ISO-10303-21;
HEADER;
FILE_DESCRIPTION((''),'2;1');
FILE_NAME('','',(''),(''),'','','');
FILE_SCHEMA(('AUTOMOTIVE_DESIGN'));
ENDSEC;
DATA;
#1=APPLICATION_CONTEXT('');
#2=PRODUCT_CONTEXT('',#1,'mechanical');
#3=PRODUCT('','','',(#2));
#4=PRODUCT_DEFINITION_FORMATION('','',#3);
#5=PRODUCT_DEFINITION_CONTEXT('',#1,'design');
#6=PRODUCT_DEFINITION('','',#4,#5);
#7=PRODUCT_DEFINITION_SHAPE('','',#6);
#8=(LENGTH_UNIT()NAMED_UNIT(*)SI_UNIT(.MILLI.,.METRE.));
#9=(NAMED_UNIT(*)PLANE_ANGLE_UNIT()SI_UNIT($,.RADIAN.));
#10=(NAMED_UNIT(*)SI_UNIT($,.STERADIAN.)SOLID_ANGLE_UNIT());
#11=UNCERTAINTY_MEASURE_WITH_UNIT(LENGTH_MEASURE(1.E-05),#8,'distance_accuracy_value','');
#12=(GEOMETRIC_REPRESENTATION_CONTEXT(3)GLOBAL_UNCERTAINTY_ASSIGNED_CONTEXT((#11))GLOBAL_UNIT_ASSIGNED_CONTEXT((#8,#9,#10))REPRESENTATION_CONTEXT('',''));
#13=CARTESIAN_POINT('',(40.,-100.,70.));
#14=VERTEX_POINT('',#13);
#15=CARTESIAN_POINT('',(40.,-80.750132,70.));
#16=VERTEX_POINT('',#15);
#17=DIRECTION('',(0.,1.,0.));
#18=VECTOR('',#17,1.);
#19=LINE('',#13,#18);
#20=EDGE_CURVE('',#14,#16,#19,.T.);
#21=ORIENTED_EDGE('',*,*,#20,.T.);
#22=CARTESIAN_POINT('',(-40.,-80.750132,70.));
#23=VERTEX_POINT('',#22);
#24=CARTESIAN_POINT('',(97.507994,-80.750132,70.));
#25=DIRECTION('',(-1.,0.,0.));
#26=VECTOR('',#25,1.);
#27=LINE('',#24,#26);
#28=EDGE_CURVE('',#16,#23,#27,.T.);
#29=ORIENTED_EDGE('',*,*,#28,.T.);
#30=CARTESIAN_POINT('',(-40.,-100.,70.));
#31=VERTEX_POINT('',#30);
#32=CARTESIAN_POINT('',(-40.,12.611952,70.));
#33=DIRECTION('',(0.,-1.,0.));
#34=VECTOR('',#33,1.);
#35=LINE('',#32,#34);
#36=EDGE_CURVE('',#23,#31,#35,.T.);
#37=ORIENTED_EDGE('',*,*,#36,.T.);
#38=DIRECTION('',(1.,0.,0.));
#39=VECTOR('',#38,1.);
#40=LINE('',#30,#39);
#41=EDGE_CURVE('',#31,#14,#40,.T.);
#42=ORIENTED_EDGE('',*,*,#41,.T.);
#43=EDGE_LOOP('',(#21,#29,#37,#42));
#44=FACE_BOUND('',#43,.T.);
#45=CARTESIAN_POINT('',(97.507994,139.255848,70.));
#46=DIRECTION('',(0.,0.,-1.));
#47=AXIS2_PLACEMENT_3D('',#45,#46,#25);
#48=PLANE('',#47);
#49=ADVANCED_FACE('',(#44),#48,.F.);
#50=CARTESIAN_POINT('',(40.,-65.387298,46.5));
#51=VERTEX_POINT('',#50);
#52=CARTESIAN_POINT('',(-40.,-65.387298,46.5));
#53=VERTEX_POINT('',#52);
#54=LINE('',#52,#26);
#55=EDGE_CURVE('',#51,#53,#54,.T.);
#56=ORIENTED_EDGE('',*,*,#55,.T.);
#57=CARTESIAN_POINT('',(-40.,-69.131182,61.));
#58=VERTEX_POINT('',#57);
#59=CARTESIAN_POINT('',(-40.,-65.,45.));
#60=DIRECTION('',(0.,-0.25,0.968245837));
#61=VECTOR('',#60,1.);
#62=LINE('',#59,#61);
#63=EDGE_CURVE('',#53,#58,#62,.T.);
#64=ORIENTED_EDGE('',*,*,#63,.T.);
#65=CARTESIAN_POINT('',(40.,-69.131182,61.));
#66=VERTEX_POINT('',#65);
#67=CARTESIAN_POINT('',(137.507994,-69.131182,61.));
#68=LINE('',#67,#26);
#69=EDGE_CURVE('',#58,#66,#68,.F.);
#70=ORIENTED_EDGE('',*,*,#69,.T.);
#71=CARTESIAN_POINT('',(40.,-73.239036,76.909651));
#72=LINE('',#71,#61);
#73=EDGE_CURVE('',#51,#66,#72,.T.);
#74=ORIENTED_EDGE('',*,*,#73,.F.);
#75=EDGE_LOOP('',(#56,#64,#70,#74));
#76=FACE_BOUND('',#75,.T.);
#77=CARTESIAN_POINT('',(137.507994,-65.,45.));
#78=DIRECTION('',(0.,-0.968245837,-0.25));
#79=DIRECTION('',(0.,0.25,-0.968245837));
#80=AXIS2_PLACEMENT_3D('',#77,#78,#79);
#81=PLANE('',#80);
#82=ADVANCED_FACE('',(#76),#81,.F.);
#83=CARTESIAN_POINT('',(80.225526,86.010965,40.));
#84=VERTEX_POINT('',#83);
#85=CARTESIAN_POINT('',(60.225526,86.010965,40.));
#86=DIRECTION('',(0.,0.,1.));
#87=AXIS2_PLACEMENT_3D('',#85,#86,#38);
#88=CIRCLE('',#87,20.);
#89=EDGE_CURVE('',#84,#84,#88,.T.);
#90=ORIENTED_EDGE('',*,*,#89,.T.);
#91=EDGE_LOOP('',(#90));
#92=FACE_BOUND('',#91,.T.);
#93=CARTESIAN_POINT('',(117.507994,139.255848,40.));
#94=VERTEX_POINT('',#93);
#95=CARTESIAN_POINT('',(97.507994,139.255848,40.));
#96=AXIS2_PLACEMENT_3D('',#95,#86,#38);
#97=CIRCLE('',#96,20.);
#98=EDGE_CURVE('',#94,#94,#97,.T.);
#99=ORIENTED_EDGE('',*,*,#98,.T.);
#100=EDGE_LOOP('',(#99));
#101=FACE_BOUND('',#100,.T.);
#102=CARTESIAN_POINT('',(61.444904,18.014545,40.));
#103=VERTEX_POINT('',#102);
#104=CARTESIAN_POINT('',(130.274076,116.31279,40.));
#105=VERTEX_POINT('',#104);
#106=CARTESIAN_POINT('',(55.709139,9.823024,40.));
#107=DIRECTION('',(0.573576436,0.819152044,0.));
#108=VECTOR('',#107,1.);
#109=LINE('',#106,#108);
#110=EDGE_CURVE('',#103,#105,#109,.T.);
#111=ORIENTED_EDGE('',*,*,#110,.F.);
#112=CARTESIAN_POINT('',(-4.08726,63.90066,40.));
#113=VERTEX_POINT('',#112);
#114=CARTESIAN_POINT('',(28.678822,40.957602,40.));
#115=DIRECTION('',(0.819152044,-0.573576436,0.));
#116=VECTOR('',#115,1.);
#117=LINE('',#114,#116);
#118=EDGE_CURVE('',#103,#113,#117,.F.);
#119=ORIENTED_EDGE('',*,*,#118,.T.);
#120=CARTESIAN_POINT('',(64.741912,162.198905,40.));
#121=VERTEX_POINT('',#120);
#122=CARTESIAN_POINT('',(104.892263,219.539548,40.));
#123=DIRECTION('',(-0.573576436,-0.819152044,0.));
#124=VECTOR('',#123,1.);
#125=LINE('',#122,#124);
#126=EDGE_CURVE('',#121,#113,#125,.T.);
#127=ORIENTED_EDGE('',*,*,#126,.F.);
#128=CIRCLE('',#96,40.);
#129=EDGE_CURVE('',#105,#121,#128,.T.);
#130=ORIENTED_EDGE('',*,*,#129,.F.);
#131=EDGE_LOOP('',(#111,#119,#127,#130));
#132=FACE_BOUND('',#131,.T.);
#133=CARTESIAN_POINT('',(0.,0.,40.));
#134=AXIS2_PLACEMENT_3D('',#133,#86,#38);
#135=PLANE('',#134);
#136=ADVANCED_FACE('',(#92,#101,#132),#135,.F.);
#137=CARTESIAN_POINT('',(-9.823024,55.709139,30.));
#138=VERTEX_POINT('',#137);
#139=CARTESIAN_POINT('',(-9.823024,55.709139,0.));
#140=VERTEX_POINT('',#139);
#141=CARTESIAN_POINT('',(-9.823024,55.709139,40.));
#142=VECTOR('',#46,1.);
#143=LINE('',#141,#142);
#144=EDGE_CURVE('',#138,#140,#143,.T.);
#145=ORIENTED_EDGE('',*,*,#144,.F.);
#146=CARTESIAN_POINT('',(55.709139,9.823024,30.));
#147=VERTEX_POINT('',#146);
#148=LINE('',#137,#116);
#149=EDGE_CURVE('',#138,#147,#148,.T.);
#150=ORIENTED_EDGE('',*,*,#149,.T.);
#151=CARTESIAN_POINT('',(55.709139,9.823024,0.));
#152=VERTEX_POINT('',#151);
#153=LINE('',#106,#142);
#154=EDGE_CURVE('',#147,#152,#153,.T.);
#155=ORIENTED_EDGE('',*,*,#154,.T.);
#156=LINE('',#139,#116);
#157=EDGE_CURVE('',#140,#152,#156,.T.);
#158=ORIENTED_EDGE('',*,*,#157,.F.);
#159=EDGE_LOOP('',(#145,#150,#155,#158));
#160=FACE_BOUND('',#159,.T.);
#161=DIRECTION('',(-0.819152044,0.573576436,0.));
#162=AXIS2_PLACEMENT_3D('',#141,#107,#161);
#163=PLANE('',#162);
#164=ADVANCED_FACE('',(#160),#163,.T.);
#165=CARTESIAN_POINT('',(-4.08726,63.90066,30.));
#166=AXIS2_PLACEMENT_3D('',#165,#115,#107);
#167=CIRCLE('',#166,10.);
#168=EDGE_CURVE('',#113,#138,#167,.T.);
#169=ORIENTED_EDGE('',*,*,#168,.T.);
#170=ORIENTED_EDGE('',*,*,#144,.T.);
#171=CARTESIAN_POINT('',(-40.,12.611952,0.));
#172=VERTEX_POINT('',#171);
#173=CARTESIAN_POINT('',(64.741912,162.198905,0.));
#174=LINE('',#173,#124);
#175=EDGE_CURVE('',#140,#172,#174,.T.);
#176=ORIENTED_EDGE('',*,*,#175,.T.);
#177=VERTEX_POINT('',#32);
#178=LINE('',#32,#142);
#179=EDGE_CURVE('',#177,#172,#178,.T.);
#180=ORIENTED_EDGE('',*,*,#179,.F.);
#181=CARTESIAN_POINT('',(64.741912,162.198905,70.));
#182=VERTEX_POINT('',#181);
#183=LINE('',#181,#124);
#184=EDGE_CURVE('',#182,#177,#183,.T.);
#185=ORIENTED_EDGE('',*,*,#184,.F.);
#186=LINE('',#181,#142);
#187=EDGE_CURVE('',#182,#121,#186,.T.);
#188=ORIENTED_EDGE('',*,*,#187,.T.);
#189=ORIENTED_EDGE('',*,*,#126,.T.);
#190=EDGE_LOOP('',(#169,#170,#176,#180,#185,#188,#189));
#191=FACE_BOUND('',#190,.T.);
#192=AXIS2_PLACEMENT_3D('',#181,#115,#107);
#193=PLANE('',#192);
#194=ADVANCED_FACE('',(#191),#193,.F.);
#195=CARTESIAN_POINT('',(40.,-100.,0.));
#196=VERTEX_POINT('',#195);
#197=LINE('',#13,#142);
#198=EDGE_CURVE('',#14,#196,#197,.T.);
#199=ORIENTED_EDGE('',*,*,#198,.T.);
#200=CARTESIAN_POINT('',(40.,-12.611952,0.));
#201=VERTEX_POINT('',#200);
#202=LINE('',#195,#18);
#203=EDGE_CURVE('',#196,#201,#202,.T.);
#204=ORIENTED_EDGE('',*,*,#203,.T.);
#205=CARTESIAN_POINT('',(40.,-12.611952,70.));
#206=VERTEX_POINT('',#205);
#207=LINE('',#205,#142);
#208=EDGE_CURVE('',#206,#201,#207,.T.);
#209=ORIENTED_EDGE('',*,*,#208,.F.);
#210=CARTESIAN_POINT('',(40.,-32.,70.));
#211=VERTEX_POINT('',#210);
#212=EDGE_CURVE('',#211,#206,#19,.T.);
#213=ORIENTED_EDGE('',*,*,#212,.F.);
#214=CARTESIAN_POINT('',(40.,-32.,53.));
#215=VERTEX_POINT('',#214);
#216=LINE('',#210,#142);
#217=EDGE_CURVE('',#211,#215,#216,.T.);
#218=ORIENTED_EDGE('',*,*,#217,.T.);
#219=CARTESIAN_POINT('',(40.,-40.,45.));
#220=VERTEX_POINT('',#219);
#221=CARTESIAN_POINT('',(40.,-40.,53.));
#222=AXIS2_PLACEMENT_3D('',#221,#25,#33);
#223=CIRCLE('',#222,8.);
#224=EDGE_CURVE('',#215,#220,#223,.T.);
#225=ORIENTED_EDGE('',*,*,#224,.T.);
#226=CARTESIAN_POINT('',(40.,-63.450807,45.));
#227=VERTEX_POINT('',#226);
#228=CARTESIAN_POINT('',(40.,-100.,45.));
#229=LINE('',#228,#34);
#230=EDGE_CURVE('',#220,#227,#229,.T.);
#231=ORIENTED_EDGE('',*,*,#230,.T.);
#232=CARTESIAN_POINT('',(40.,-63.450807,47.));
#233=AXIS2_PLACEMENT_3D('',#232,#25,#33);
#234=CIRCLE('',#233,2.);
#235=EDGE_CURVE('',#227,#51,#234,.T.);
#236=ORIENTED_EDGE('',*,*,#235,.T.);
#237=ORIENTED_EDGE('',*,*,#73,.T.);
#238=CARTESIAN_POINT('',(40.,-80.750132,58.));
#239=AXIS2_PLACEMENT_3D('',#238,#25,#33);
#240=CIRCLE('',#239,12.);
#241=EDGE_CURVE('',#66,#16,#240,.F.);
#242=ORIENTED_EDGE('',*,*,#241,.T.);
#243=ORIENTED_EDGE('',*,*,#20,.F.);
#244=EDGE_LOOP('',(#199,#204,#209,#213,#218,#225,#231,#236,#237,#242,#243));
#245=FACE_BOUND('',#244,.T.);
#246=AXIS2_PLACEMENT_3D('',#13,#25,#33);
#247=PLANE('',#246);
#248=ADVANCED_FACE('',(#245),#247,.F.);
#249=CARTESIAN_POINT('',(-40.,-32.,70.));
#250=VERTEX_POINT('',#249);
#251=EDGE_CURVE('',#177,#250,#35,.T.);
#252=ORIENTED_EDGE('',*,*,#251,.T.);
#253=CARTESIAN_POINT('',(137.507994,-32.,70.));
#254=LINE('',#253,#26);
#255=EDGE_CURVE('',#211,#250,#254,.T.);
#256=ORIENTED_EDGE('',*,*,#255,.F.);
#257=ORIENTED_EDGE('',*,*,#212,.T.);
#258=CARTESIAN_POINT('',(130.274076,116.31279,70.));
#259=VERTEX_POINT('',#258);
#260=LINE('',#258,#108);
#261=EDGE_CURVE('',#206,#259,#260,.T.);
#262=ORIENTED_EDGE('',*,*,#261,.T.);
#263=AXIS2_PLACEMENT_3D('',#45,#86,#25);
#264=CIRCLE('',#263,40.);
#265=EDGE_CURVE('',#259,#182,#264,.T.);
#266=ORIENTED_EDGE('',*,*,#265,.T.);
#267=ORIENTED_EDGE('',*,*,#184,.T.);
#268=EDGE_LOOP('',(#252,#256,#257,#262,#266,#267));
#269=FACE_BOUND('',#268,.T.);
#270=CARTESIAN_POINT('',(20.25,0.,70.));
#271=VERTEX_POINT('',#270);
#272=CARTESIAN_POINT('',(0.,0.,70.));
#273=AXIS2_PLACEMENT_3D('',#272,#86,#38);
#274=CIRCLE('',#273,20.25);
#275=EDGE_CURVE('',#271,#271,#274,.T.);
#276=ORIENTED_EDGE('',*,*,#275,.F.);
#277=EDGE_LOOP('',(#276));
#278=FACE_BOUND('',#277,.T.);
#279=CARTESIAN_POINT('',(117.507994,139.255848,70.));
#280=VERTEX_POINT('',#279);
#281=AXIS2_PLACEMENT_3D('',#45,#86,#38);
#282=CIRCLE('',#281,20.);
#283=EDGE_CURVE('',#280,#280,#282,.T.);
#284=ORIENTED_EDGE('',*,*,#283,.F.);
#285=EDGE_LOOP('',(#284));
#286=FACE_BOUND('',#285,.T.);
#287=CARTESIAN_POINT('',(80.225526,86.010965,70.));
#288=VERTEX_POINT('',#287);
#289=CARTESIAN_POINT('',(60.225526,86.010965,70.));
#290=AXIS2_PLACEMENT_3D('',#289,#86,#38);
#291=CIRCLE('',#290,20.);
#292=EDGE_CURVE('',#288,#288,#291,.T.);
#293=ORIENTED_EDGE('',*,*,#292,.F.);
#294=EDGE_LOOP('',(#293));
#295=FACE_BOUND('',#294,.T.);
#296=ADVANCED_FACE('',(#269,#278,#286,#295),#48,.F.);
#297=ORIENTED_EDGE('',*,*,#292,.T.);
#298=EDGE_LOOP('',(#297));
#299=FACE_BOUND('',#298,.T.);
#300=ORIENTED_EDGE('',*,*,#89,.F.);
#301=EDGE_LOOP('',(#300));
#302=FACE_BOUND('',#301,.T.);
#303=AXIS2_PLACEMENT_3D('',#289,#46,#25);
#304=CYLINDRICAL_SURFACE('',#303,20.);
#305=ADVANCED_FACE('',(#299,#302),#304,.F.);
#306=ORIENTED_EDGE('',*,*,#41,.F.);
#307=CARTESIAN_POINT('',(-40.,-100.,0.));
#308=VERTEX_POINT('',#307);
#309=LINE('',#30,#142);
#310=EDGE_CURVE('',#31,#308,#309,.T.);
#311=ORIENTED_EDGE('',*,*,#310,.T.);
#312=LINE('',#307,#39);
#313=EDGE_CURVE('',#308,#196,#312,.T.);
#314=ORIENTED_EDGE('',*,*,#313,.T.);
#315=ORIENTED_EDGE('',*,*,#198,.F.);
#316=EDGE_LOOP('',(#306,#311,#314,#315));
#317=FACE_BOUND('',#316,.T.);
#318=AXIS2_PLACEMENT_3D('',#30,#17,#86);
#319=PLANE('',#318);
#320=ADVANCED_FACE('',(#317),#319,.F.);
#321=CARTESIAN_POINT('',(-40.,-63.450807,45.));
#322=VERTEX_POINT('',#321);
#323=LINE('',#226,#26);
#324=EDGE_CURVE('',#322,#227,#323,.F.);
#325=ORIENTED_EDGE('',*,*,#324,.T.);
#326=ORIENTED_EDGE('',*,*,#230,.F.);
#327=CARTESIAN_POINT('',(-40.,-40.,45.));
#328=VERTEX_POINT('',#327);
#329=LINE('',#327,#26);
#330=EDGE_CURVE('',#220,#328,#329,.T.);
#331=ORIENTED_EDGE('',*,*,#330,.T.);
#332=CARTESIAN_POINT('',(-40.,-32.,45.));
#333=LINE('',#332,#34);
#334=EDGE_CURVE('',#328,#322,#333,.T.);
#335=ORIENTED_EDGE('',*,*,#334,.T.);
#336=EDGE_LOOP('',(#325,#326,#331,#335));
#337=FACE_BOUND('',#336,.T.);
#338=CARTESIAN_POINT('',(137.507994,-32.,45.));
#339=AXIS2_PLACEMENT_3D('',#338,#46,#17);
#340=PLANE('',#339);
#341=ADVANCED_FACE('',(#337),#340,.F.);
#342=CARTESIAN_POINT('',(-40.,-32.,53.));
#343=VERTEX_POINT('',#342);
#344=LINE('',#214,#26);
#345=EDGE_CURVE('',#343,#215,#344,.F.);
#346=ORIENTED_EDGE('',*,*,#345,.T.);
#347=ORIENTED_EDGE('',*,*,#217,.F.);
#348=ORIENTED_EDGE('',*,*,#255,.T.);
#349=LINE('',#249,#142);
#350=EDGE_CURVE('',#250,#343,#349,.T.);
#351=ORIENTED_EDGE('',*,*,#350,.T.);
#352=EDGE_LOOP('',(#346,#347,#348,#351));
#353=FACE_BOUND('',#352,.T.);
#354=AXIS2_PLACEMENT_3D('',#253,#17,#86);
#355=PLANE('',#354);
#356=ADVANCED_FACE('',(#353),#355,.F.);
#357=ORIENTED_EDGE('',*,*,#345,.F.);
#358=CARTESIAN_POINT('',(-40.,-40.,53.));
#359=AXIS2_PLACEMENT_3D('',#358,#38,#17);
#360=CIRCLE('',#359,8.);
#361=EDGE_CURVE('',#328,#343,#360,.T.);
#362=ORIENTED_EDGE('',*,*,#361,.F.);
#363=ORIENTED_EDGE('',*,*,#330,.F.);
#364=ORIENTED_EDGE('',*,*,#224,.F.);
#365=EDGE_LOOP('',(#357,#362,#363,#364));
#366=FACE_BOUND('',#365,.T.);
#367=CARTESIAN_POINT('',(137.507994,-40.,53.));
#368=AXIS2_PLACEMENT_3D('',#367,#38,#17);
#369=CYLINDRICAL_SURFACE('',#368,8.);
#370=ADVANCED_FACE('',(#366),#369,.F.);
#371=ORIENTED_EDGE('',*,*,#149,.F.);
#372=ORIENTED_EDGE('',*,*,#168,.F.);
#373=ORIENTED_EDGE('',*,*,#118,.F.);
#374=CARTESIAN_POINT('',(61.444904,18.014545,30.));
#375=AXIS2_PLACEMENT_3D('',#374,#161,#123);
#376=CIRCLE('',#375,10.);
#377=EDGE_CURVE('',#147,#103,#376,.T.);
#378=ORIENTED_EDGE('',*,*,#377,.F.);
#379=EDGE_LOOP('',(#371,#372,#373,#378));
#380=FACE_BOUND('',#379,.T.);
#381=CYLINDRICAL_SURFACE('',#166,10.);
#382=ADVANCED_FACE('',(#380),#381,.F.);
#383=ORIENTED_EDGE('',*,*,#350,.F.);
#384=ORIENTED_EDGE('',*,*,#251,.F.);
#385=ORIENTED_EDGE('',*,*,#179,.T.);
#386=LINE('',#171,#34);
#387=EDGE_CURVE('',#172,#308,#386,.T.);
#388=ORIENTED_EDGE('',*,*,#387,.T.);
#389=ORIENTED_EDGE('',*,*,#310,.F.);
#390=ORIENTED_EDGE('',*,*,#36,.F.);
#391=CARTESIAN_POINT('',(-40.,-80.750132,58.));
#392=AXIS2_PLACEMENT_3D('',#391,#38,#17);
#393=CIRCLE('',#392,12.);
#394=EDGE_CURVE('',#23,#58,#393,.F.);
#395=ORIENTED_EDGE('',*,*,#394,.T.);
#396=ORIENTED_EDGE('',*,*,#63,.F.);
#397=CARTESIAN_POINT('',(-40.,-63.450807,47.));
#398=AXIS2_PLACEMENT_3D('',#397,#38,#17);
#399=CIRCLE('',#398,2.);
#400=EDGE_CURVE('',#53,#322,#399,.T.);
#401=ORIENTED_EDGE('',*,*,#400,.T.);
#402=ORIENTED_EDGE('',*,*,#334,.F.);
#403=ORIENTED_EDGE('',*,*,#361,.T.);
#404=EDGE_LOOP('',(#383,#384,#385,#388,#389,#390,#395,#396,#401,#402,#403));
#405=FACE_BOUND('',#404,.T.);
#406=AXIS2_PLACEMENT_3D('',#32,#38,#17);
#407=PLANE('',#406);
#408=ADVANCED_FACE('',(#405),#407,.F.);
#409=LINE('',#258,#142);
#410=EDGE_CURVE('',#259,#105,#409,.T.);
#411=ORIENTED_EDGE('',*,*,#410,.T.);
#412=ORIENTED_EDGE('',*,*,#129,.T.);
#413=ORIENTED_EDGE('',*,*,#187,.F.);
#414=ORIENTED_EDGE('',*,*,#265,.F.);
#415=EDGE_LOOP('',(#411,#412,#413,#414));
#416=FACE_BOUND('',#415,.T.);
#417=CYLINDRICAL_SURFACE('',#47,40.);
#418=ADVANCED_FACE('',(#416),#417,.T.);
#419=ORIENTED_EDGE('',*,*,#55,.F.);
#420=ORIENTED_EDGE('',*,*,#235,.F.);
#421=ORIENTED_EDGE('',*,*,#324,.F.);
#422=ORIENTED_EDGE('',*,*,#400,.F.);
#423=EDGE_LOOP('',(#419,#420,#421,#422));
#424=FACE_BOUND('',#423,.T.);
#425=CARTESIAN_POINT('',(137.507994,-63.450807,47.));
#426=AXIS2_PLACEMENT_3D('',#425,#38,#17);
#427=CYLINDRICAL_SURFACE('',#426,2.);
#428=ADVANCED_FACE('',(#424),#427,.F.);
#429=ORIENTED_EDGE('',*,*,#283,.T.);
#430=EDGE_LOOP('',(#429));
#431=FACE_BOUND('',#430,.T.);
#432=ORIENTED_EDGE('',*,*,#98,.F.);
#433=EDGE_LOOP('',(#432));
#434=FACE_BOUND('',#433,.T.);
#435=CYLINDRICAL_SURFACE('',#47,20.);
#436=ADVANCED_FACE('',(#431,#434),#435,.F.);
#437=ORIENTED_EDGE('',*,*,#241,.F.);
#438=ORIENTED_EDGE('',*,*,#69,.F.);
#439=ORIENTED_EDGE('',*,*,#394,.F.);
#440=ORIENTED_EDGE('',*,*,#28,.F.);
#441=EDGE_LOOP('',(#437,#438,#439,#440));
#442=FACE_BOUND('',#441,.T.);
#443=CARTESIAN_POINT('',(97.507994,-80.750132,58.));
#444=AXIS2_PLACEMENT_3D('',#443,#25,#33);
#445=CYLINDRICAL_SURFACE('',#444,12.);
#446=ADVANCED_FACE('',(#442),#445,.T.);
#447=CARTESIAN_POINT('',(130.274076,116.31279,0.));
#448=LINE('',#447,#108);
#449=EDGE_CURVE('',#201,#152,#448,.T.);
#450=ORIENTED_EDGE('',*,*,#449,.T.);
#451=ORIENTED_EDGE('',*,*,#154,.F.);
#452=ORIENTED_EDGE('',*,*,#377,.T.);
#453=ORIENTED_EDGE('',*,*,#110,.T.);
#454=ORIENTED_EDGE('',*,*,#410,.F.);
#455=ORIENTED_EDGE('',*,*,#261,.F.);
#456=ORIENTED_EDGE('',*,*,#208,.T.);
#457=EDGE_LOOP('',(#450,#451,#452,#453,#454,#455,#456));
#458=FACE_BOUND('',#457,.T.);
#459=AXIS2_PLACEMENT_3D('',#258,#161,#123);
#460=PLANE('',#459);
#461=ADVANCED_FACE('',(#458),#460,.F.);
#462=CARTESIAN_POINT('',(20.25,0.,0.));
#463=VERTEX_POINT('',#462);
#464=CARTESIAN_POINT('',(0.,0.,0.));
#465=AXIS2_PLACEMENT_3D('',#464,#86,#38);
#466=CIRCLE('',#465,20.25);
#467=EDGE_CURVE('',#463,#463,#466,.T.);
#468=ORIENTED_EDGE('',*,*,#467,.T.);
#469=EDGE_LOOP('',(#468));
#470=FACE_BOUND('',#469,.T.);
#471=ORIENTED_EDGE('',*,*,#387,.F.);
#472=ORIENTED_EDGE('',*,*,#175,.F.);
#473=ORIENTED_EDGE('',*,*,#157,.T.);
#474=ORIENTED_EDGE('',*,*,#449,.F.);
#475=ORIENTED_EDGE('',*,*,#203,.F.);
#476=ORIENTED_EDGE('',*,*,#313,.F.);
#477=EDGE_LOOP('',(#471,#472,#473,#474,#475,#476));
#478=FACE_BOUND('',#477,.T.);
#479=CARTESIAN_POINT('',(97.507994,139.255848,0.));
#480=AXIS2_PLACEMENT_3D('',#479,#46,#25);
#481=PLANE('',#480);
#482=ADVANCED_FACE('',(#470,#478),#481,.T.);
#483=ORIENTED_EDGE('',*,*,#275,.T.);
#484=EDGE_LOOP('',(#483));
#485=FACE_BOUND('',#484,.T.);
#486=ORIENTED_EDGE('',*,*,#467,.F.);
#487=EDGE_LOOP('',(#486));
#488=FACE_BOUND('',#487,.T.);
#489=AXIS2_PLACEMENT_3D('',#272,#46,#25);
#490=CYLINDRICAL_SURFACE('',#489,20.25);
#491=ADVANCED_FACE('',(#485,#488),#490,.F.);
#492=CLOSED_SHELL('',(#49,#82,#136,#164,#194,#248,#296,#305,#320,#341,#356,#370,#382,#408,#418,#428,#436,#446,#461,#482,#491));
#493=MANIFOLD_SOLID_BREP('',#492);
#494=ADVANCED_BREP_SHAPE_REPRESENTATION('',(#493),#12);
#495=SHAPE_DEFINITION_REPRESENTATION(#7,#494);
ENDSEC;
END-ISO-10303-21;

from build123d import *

# Parameters (mm, degrees)
SKETCH_1_R          = 20.25
SKETCH_1_R_2        = 20
EXTRUDE_1_DEPTH     = 70
CUT_EXTRUDE_1_DEPTH = 40
CUT_EXTRUDE_2_DEPTH = 262.804787716
FILLET_1_R          = 12
FILLET_2_R          = 2
FILLET_3_R          = 8
FILLET_4_R          = 10


with BuildPart() as part:
    # 草图1 → 凸台-拉伸1 (new body)
    with BuildSketch(Plane.XY):
        with BuildLine():
            Line((64.741912408, 162.198904983), (-40, 12.611951555))
            Line((-40, 12.611951555), (-40, -100))
            Line((-40, -100), (40, -100))
            Line((40, -100), (40, -12.611951555))
            Line((40, -12.611951555), (130.274075951, 116.312790075))
            ThreePointArc((130.274075951, 116.312790075), (120.451051634, 172.021929301), (64.741912408, 162.198904983))
        make_face()
        Circle(SKETCH_1_R, mode=Mode.SUBTRACT)
        with Locations((97.50799418, 139.255847529)):
            Circle(SKETCH_1_R_2, mode=Mode.SUBTRACT)
        with Locations((60.225525817, 86.01096465)):
            Circle(SKETCH_1_R_2, mode=Mode.SUBTRACT)
    extrude(amount=EXTRUDE_1_DEPTH)

    # 草图2 → 切除-拉伸1 (cut)
    with BuildSketch(Plane.XY):
        Polygon((-9.823024318, 55.709139226), (55.709139226, 9.823024318), (170.424426496, 173.653433175), (104.892262953, 219.539548083), align=None)
    extrude(amount=CUT_EXTRUDE_1_DEPTH, mode=Mode.SUBTRACT)

    # 草图3 → 切除-拉伸2 (cut, through all)
    with BuildSketch(Plane.ZY.offset(40)):
        Polygon((70, -32), (45, -32), (45, -65), (70, -71.454972244), align=None)
    extrude(amount=-CUT_EXTRUDE_2_DEPTH, mode=Mode.SUBTRACT)

    # 圆角1
    fillet_1_edges = [part.edges().sort_by_distance(p)[0] for p in [
        (0, -71.454972244, 70),
    ]]
    fillet(fillet_1_edges, radius=FILLET_1_R)

    # 圆角2
    fillet_2_edges = [part.edges().sort_by_distance(p)[0] for p in [
        (0, -65, 45),
    ]]
    fillet(fillet_2_edges, radius=FILLET_2_R)

    # 圆角3
    fillet_3_edges = [part.edges().sort_by_distance(p)[0] for p in [
        (0, -32, 45),
    ]]
    fillet(fillet_3_edges, radius=FILLET_3_R)

    # 圆角4
    fillet_4_edges = [part.edges().sort_by_distance(p)[0] for p in [
        (22.943057454, 32.766081772, 40),
    ]]
    fillet(fillet_4_edges, radius=FILLET_4_R)


solid = part.part
